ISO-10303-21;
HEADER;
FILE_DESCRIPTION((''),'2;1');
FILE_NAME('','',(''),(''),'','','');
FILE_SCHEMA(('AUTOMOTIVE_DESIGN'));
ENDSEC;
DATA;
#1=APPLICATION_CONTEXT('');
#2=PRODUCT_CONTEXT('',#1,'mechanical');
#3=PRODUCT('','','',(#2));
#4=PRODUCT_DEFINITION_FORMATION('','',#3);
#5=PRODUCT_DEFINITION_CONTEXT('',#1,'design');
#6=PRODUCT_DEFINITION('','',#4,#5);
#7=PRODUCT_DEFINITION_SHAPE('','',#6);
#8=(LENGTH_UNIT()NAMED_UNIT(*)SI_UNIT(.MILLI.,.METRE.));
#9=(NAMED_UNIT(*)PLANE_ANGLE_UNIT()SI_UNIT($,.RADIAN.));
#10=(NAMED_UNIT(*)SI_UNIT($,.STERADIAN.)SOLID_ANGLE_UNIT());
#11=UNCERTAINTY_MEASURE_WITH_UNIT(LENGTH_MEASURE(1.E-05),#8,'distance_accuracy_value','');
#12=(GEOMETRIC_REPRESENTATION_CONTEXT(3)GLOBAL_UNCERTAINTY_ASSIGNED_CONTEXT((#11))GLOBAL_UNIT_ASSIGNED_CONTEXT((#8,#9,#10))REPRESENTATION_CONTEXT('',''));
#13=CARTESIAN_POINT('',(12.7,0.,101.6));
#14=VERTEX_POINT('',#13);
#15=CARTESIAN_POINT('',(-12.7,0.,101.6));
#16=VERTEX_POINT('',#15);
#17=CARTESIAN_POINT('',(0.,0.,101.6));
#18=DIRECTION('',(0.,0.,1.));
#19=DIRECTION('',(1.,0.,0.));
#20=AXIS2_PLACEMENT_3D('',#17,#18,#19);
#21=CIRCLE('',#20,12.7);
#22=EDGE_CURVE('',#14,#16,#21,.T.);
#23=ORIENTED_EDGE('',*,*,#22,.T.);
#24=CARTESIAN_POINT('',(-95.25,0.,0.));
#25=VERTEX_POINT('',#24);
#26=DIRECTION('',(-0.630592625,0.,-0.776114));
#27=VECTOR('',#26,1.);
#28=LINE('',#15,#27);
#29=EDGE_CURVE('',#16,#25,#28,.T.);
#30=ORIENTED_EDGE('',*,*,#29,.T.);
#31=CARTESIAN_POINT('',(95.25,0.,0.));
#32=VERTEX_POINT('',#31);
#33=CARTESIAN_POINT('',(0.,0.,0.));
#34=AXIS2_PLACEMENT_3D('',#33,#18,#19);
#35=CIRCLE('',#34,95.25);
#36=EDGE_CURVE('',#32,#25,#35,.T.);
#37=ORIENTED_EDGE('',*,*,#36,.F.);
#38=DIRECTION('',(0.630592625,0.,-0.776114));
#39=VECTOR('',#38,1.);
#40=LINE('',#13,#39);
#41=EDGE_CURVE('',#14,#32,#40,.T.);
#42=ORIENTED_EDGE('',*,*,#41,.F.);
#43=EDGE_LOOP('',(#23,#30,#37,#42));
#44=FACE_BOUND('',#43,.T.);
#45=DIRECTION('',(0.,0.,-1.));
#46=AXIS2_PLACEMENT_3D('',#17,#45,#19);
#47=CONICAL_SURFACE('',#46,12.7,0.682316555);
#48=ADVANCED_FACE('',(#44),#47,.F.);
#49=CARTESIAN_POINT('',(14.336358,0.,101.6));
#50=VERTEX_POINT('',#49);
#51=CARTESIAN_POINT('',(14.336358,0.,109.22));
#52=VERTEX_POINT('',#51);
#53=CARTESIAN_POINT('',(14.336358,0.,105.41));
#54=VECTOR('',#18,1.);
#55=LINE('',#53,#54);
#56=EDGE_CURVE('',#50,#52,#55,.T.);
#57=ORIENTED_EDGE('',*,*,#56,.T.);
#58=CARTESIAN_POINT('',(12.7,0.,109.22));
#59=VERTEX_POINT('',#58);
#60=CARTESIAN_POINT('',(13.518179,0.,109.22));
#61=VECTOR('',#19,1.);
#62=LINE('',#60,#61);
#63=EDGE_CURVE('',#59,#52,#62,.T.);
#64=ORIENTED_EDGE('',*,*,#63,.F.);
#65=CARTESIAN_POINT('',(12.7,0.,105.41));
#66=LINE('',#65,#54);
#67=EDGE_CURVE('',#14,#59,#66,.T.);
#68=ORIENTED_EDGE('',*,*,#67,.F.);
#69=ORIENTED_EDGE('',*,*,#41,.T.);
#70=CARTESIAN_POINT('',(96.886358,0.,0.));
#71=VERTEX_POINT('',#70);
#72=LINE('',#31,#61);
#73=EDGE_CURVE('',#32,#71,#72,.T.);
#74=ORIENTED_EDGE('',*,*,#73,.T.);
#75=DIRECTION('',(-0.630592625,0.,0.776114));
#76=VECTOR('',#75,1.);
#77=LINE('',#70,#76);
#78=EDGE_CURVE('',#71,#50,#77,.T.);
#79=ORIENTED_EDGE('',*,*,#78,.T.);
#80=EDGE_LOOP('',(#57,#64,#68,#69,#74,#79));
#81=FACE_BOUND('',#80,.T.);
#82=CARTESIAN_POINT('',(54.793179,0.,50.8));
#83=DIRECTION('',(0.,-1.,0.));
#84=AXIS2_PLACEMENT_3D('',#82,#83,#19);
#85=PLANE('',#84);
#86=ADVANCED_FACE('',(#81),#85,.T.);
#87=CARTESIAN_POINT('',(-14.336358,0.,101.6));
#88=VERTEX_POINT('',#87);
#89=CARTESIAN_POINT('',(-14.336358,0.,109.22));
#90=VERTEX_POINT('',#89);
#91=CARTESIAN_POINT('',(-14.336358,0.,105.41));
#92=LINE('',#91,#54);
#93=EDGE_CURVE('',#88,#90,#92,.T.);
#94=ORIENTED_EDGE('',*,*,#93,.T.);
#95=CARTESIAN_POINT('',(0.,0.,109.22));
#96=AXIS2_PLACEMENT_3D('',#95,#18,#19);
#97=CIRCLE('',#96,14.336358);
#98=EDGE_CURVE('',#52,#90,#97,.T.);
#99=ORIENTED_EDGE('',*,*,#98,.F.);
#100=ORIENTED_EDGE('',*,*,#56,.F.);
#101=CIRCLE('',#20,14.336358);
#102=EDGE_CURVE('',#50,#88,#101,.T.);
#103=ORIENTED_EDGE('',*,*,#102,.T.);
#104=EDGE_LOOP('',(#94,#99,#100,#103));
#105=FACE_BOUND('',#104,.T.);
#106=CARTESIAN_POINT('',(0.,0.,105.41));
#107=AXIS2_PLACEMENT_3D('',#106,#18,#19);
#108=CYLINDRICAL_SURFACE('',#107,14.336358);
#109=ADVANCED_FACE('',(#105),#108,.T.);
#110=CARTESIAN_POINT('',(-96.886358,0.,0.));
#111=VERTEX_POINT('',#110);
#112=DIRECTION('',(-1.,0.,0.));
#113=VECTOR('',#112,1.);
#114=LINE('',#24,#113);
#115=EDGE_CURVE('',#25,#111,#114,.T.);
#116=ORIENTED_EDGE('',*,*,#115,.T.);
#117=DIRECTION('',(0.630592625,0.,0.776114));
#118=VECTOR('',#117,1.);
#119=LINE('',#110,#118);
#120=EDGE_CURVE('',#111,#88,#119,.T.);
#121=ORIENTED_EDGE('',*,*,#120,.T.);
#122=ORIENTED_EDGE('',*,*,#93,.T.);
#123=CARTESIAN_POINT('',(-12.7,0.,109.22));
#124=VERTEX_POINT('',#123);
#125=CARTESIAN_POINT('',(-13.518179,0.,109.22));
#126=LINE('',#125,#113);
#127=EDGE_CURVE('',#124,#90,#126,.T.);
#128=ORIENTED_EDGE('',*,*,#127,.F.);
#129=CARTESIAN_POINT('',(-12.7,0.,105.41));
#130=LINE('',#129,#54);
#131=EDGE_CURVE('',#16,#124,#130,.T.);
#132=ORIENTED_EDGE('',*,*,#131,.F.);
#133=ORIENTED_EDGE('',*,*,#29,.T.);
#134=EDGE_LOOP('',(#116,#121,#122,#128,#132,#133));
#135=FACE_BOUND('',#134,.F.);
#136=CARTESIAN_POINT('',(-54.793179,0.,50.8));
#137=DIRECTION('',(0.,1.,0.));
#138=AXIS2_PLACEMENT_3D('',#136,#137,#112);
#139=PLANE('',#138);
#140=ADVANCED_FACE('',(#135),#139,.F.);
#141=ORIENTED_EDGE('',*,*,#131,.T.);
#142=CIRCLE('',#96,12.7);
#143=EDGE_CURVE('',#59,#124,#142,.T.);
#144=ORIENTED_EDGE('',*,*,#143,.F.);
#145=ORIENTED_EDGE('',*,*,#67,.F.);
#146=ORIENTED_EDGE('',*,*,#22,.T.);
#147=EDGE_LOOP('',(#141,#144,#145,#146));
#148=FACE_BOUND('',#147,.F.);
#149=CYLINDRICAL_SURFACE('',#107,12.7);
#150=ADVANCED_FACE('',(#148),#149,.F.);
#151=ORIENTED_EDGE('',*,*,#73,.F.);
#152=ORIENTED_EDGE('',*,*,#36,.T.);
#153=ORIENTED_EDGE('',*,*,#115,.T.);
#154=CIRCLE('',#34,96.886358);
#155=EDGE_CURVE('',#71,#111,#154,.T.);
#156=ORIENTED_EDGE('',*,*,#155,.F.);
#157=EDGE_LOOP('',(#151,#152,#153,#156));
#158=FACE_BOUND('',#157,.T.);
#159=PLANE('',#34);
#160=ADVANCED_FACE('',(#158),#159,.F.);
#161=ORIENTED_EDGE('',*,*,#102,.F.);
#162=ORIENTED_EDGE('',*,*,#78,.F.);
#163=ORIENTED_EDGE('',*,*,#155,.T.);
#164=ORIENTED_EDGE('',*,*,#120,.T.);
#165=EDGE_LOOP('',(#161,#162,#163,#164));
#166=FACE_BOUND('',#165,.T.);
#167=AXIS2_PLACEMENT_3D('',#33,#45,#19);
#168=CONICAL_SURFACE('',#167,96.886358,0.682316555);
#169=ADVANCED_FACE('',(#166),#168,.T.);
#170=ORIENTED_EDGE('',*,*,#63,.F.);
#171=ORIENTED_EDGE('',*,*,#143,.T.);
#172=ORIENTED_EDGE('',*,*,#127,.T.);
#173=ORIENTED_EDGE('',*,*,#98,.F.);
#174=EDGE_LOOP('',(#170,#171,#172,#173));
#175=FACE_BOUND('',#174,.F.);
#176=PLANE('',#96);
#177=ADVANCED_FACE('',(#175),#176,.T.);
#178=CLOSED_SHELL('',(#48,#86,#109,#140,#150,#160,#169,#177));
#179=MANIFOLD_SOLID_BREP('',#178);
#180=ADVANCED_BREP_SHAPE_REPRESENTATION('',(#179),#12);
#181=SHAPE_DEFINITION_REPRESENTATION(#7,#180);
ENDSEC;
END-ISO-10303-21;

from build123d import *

# Parameters (mm, degrees)
F0_W     = 1.636358
F0_H     = 7.62
F2_ANGLE = 180


with BuildPart() as f2:
    # F0 (on Front) → F2 (revolve)
    with BuildSketch(Plane.XZ):
        Polygon((12.7, 101.6), (95.25, 0), (96.886358, 0), (14.336358, 101.6), align=None)
        with Locations((13.518179, 105.41)):
            Rectangle(F0_W, F0_H)
    revolve(axis=Axis((0, 0, 29.286476), (0, 0, 1)), revolution_arc=F2_ANGLE)


solid = f2.part
